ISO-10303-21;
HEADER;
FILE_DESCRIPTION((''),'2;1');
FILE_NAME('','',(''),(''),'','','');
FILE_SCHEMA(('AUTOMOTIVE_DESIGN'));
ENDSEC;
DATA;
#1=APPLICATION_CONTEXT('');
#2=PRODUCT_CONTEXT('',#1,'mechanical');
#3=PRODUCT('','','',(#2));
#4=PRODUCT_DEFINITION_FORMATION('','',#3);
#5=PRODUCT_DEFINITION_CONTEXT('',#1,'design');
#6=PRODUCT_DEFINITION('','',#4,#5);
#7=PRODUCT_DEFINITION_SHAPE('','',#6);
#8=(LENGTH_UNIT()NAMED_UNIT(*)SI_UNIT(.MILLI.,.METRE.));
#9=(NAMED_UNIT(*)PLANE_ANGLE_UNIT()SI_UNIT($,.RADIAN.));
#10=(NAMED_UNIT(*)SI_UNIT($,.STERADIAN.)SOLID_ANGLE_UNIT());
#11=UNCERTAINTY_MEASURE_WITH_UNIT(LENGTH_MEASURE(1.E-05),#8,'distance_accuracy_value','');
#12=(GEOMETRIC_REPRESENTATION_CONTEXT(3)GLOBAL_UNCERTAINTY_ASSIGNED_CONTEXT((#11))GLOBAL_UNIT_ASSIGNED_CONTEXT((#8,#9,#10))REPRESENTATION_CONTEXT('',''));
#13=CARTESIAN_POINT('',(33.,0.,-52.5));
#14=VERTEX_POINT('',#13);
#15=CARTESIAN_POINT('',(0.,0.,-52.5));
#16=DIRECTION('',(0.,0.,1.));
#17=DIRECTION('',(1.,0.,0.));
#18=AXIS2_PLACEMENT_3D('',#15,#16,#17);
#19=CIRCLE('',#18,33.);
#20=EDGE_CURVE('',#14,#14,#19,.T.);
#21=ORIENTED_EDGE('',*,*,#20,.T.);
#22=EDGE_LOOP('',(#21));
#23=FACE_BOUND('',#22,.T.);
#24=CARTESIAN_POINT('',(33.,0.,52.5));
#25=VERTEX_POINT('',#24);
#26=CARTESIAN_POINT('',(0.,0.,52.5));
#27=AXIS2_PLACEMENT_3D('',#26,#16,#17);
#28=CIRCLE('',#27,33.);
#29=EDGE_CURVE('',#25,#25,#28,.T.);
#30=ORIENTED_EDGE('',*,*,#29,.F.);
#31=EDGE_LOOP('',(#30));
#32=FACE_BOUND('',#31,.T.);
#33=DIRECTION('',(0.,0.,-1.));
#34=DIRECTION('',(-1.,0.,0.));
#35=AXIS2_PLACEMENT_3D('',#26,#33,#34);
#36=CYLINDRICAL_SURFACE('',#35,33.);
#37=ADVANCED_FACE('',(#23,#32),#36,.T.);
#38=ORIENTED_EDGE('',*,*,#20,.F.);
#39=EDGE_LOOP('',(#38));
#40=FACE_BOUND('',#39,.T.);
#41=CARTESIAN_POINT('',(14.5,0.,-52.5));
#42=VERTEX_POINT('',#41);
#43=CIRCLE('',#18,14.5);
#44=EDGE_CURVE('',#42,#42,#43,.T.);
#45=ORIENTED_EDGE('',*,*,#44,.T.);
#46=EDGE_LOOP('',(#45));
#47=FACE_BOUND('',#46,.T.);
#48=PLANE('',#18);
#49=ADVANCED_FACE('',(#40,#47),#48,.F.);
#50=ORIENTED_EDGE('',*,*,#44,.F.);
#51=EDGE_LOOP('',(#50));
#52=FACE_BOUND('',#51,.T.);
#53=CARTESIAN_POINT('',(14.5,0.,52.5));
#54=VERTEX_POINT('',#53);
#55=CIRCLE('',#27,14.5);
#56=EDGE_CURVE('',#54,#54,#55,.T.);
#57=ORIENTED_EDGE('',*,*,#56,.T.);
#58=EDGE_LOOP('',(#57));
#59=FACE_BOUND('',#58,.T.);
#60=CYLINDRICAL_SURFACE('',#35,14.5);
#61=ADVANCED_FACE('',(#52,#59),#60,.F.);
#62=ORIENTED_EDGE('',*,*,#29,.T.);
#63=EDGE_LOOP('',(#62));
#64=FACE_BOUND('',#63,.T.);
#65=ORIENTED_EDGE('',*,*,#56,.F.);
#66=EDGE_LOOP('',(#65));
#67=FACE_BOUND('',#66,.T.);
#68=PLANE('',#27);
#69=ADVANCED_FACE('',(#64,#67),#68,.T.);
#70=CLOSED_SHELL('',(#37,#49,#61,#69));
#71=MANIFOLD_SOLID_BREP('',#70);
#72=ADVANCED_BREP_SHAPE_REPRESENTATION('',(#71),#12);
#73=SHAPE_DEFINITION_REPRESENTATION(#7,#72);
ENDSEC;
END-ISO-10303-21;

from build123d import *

# Parameters (mm, degrees)
SKETCH_1_R      = 33
SKETCH_1_R_2    = 14.5
EXTRUDE_1_DEPTH = 52.5


with BuildPart() as part:
    # 草图1 → 凸台-拉伸1 (new, symmetric)
    with BuildSketch(Plane.XY):
        Circle(SKETCH_1_R)
        Circle(SKETCH_1_R_2, mode=Mode.SUBTRACT)
    extrude(amount=EXTRUDE_1_DEPTH, both=True)


solid = part.part
